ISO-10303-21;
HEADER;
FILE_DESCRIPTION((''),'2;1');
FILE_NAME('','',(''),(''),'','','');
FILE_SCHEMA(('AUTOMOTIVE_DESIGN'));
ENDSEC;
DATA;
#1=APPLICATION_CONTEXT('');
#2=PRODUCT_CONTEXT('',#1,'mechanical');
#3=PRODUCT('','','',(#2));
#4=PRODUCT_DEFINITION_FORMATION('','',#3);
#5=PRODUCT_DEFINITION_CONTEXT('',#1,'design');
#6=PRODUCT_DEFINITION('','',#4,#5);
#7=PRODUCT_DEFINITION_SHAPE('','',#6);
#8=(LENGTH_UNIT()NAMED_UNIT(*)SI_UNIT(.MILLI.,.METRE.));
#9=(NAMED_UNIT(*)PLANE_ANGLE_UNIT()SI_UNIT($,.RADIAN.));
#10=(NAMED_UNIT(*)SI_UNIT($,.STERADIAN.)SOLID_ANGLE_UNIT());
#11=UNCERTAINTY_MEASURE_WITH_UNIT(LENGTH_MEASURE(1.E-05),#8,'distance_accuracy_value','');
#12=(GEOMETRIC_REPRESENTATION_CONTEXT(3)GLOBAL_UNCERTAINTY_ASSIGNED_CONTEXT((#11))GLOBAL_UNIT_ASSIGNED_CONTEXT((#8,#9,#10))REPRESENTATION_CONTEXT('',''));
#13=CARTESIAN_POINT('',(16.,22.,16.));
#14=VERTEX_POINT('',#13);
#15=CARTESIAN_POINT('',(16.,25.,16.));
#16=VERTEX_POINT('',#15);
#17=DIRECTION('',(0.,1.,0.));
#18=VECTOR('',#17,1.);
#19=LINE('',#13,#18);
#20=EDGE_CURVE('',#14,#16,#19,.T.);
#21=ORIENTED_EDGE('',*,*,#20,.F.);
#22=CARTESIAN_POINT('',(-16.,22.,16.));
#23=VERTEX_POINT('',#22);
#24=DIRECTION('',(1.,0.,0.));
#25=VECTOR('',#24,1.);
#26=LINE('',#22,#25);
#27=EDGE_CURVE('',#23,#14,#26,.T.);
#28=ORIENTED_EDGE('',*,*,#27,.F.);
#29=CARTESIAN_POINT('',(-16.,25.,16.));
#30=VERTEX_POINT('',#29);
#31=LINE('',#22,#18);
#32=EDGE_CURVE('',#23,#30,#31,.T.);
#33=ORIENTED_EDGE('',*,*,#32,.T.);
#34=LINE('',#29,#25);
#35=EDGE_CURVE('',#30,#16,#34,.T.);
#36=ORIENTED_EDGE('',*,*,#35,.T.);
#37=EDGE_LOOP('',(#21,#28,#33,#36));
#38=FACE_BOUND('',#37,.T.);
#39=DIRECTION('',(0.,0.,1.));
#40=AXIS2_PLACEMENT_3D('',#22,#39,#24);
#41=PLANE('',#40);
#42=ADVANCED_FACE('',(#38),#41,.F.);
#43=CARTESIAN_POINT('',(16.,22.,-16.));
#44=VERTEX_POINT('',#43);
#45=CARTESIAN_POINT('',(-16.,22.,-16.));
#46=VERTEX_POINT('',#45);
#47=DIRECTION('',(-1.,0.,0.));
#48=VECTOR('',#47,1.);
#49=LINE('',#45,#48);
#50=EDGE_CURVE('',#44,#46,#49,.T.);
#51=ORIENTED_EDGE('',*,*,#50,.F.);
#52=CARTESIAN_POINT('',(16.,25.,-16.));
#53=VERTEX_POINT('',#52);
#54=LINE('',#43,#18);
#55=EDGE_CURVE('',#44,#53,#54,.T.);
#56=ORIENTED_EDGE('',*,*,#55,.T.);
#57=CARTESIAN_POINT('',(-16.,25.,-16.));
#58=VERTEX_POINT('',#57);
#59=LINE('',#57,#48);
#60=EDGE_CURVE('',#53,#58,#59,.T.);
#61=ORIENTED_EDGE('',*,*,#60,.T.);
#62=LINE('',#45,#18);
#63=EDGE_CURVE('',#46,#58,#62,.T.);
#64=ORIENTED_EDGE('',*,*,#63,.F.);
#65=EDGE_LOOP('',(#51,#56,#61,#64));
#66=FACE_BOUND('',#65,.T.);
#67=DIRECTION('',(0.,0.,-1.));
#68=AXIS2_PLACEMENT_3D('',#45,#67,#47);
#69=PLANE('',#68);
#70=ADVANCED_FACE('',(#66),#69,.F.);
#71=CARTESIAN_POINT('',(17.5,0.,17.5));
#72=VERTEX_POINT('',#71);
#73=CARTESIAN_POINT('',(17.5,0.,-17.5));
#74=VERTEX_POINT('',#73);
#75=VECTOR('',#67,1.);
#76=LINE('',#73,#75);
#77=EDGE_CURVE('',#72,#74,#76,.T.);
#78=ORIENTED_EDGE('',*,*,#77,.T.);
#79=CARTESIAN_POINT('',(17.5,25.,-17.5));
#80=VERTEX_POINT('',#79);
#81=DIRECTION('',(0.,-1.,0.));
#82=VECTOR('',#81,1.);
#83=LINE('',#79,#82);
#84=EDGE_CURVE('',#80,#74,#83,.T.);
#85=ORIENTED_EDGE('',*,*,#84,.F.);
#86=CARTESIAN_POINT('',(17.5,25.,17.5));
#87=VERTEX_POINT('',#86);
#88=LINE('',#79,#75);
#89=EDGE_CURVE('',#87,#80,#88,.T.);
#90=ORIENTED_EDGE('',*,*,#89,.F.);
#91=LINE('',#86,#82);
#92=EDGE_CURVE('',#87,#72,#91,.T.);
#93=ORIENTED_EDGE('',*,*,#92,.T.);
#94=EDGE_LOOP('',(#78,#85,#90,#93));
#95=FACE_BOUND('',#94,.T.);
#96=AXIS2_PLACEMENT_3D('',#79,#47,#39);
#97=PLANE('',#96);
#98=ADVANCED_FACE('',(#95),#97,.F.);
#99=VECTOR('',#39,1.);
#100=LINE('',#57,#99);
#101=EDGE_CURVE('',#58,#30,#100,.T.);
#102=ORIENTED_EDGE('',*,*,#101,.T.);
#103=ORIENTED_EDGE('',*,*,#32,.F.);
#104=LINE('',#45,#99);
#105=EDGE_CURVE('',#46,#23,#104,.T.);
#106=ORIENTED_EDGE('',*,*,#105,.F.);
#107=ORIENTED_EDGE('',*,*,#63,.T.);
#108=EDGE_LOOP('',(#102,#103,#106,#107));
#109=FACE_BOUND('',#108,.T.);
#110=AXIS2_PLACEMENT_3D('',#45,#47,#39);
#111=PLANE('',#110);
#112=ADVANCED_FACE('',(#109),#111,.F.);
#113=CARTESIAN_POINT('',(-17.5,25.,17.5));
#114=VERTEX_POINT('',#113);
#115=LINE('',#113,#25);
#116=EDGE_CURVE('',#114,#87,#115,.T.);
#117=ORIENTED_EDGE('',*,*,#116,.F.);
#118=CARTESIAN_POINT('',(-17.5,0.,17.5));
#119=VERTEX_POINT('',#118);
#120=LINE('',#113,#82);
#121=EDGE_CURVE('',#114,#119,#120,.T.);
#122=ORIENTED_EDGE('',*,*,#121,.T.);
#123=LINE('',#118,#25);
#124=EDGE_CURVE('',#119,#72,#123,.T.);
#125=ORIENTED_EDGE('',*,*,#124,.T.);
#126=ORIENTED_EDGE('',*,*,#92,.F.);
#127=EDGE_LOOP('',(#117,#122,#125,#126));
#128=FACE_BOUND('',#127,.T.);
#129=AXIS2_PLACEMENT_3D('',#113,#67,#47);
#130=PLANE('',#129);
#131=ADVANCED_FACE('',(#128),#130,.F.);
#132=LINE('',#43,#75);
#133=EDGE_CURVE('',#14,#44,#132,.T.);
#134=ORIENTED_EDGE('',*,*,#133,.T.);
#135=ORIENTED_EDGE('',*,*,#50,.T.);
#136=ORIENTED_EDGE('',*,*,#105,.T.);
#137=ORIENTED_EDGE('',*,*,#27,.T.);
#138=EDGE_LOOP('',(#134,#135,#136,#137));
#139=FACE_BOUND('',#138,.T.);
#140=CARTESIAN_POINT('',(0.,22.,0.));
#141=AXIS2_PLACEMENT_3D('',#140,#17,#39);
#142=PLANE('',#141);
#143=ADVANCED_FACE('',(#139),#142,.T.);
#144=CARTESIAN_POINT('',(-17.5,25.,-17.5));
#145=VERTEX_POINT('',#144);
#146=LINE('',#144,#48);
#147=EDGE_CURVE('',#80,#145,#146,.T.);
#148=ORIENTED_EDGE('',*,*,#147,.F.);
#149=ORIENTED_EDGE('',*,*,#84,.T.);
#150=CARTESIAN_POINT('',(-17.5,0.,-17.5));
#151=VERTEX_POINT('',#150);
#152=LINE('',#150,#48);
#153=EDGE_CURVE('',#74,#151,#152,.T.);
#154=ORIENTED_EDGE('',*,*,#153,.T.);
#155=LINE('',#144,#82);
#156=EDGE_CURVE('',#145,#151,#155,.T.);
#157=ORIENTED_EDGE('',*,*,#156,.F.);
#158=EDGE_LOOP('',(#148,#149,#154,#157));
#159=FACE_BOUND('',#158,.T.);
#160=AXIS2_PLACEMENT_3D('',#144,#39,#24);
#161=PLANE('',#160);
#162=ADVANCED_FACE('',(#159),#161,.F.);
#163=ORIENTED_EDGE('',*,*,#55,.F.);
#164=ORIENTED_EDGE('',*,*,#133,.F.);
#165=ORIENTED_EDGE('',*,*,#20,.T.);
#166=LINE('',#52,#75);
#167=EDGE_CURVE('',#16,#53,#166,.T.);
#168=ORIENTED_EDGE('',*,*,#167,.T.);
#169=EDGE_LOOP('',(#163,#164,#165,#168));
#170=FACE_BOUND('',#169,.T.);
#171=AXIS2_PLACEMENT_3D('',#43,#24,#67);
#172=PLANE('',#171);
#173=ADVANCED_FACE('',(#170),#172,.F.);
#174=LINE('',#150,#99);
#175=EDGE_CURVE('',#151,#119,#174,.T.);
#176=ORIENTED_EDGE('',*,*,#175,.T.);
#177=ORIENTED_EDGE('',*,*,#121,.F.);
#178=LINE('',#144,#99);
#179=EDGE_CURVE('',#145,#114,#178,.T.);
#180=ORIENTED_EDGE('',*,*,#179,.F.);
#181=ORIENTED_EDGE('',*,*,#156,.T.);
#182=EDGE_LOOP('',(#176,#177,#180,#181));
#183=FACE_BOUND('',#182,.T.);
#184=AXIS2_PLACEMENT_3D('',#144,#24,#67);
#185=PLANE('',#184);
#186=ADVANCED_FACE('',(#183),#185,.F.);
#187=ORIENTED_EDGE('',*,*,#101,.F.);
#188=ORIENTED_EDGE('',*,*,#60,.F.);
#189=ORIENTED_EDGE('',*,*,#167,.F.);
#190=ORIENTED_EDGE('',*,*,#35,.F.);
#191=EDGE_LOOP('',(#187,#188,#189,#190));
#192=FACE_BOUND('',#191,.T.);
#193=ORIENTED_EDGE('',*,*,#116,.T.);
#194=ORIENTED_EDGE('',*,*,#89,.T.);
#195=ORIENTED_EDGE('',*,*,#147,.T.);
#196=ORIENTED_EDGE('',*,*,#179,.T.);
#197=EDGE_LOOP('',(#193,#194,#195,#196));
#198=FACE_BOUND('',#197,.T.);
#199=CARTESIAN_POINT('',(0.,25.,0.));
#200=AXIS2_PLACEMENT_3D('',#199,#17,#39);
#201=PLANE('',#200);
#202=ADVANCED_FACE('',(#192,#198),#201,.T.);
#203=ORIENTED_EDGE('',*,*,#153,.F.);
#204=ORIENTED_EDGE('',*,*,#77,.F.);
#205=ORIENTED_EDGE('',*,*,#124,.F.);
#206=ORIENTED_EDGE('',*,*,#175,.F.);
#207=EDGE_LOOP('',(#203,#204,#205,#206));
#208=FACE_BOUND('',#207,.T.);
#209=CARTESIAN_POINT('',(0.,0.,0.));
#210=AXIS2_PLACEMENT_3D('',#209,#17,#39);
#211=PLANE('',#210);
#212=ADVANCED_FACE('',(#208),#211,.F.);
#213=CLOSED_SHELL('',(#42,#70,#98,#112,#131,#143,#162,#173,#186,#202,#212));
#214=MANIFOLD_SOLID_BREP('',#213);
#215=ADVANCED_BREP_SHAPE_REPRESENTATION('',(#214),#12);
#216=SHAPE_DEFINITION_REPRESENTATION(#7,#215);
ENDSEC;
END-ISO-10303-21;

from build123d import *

# Parameters (mm, degrees)
SKETCH_1_W          = 35
SKETCH_1_H          = 35
EXTRUDE_1_DEPTH     = 25
SKETCH_2_W          = 32
SKETCH_2_H          = 32
CUT_EXTRUDE_1_DEPTH = 3


with BuildPart() as part:
    # 草图1 → 凸台-拉伸1 (new body)
    with BuildSketch(Plane(origin=(0, 0, 0), x_dir=(1, 0, 0), z_dir=(0, 1, 0))):
        Rectangle(SKETCH_1_W, SKETCH_1_H)
    extrude(amount=EXTRUDE_1_DEPTH)

    # 草图2 → 切除-拉伸1 (cut)
    with BuildSketch(Plane(origin=(0, 25, 0), x_dir=(1, 0, 0), z_dir=(0, 1, 0))):
        Rectangle(SKETCH_2_W, SKETCH_2_H)
    extrude(amount=-CUT_EXTRUDE_1_DEPTH, mode=Mode.SUBTRACT)


solid = part.part
